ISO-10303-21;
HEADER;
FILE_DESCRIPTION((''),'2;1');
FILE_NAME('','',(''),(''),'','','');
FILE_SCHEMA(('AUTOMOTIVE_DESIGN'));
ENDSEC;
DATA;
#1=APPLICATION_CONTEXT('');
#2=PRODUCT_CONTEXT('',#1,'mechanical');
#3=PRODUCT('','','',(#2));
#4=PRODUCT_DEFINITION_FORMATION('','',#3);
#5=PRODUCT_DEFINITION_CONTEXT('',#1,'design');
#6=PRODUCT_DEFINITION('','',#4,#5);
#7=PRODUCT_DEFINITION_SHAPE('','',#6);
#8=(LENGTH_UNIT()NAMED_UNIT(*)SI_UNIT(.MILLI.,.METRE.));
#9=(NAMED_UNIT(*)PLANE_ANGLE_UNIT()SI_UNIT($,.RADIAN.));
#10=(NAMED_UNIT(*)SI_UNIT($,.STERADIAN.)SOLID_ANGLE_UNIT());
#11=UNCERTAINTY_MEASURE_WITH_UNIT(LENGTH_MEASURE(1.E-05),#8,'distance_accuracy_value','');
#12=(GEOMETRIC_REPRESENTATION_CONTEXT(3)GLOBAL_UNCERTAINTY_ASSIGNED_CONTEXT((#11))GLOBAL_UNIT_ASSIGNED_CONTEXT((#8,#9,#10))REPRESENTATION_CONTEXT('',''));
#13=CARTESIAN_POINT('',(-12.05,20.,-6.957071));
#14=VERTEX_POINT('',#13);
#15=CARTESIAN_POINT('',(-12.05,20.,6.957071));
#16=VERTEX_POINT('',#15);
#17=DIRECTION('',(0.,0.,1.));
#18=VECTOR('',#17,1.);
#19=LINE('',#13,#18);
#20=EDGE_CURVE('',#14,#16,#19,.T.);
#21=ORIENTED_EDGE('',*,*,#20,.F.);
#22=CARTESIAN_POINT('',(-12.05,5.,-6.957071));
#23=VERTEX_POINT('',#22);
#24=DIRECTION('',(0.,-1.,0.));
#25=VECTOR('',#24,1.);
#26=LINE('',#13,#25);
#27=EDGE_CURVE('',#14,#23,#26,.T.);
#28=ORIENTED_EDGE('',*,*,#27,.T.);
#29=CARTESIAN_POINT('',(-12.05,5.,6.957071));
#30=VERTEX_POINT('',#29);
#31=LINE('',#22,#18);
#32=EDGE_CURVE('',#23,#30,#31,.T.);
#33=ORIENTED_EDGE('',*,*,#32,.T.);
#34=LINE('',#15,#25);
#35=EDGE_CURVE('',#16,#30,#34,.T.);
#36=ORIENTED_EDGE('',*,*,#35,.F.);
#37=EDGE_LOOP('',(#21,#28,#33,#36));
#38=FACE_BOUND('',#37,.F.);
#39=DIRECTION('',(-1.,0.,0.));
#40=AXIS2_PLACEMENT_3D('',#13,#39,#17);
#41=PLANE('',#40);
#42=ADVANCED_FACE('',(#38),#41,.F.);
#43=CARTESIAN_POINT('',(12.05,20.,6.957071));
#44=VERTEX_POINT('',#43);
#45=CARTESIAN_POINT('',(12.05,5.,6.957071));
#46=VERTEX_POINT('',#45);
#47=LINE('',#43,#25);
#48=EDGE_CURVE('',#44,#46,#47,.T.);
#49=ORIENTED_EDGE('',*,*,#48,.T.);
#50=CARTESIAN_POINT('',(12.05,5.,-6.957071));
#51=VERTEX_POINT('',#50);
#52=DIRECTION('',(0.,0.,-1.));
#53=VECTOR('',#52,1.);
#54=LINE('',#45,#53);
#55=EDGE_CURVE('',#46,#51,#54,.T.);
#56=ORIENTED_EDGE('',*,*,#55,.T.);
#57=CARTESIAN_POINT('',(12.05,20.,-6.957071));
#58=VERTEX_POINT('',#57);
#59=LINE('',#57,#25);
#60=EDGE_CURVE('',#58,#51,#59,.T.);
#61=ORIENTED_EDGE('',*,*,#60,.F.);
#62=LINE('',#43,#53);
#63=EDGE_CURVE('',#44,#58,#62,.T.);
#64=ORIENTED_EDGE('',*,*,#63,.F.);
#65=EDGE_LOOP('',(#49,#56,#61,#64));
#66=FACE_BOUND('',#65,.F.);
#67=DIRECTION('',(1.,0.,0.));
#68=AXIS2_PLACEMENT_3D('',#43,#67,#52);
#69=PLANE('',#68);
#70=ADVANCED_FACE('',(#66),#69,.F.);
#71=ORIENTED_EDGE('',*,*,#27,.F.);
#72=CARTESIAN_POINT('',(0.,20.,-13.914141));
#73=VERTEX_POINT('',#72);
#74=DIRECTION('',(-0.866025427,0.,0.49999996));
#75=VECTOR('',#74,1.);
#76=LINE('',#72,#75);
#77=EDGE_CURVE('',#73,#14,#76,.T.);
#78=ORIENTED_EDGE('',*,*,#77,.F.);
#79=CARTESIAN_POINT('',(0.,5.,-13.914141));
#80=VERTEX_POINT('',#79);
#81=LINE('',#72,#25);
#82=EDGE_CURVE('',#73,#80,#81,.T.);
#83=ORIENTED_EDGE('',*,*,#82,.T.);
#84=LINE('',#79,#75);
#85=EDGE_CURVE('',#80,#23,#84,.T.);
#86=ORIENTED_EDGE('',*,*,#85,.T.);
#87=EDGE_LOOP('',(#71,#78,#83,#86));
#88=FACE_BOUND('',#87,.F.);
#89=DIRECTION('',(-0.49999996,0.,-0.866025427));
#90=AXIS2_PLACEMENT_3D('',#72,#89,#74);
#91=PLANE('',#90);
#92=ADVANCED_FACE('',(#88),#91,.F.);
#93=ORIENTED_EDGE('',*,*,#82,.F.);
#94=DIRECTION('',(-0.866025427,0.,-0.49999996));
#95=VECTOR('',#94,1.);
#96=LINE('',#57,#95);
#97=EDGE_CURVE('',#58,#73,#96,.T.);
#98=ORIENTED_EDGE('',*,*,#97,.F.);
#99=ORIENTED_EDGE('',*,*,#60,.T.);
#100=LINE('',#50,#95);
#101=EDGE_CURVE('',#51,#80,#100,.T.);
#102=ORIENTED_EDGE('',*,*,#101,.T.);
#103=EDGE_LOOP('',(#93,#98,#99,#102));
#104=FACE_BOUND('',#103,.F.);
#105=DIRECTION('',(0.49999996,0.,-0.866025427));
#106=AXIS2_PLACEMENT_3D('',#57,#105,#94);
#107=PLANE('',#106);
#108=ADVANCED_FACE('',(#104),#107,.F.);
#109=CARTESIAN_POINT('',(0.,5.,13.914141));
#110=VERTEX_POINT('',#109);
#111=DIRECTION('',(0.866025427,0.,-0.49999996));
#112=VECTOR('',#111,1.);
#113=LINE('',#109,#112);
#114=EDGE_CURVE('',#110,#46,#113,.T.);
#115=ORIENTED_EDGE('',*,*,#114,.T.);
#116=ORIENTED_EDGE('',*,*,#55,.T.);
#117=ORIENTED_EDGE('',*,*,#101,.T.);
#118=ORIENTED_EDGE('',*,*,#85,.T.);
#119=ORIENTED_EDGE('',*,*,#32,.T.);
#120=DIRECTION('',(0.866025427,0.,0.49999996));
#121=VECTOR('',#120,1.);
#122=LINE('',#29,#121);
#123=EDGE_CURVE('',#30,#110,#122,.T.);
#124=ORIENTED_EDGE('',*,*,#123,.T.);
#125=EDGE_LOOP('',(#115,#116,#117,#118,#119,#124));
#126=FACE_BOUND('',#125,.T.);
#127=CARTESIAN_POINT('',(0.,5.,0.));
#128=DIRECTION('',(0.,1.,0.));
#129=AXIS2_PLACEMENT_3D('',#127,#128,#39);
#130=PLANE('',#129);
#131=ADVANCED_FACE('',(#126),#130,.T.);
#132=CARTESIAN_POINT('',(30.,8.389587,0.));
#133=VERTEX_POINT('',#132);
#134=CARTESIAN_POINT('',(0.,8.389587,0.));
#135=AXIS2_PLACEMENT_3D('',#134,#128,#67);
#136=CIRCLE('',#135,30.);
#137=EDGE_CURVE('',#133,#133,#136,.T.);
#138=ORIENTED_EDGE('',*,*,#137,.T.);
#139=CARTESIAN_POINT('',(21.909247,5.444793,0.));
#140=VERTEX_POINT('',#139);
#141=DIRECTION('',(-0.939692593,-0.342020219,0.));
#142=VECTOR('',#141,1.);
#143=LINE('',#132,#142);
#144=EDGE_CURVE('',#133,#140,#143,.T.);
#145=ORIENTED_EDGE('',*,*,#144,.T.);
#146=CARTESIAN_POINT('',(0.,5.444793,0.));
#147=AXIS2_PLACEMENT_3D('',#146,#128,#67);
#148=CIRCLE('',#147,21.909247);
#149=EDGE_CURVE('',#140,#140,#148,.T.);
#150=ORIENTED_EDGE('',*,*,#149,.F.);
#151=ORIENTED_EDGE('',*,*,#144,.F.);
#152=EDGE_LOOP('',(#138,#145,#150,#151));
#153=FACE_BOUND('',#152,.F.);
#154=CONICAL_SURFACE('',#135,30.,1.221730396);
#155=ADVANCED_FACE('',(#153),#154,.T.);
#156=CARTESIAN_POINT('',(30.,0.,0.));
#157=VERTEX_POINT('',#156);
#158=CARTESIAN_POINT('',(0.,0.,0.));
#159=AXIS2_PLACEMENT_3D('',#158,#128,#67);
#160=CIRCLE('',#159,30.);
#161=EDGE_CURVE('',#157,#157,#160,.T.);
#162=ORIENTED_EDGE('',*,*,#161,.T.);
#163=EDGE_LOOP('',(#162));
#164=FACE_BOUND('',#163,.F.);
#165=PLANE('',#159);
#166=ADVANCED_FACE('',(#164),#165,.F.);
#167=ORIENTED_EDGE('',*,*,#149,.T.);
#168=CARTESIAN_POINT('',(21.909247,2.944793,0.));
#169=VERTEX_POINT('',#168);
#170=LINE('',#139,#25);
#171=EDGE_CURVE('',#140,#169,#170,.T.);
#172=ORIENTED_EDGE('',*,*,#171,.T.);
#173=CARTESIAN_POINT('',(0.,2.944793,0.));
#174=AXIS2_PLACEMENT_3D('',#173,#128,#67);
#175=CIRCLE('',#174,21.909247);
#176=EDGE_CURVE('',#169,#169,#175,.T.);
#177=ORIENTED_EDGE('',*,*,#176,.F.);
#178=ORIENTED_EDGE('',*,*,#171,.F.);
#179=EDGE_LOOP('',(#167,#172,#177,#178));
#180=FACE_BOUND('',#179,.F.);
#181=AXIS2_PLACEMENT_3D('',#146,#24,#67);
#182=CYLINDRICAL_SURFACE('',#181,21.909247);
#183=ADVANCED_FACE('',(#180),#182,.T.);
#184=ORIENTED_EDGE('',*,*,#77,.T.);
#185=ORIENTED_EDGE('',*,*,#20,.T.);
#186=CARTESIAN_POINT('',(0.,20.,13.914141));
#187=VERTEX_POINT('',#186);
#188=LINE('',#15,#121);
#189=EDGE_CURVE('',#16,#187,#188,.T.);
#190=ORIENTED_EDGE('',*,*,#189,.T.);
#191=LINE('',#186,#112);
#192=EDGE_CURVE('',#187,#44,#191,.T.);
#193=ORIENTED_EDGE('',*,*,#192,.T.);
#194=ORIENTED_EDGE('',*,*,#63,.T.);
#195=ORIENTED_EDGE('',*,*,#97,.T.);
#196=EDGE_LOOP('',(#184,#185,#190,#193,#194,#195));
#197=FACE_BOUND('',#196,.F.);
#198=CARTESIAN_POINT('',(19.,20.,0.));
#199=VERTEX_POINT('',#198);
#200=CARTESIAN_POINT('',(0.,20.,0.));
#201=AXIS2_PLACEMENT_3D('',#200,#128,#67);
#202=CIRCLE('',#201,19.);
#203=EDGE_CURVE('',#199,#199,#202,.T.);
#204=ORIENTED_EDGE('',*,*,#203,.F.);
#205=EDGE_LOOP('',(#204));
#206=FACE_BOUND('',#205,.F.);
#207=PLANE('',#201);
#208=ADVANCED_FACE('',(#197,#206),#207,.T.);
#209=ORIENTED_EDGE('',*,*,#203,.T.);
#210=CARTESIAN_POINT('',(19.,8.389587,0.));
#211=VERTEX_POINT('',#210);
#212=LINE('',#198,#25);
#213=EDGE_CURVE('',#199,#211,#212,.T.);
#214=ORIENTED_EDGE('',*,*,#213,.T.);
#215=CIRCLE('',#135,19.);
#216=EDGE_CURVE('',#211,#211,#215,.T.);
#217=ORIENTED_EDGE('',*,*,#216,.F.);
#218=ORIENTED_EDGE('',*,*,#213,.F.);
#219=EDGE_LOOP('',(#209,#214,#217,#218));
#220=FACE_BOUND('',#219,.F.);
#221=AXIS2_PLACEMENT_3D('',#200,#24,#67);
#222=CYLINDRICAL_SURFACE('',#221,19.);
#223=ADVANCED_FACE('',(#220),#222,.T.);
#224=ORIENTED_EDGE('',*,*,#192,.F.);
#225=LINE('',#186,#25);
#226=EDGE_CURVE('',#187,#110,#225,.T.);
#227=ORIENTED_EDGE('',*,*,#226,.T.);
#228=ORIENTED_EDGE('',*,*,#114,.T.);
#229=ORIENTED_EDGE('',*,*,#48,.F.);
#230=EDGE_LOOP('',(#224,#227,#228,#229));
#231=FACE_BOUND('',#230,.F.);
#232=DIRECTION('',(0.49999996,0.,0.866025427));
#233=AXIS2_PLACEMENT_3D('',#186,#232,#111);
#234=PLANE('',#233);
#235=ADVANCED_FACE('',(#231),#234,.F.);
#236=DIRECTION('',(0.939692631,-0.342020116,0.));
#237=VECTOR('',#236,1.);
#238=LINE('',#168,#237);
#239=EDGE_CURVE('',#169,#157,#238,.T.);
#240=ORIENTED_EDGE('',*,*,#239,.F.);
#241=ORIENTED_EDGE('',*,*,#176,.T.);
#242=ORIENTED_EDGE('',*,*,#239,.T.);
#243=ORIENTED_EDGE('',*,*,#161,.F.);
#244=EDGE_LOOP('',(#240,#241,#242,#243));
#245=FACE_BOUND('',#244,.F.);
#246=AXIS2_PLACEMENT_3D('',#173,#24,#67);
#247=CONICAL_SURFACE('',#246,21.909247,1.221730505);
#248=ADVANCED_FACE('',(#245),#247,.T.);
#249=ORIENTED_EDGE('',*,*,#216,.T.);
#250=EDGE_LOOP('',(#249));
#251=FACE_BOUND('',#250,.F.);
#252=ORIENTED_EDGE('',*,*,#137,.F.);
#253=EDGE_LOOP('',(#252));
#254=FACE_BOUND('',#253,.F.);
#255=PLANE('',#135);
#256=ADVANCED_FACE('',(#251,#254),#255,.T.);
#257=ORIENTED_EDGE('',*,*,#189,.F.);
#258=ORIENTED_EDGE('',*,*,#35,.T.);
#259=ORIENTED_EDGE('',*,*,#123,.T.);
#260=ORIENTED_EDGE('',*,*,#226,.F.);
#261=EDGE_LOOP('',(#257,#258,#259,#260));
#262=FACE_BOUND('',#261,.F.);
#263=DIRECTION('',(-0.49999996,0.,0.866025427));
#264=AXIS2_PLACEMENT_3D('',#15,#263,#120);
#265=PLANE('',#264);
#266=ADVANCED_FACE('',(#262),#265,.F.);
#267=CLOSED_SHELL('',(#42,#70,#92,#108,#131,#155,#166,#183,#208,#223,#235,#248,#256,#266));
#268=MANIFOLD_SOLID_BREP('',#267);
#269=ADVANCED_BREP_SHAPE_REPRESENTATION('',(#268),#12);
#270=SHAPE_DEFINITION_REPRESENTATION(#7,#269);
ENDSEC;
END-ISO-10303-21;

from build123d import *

# Parameters (mm, degrees)
POCKET_DEPTH = 15


with BuildPart() as part:
    # CopySketch → Revolution (revolve)
    with BuildSketch(Plane.XY):
        Polygon((0, 20), (19, 20), (19, 8.389587), (30, 8.389587), (21.909247, 5.444793), (21.909247, 2.944793), (30, 0), (0, 0), align=None)
    revolve(axis=Axis((0, 0, 0), (0, 1, 0)))

    # Sketch002 → Pocket (cut)
    with BuildSketch(Plane(origin=(0, 20, 0), x_dir=(-1, 0, 0), z_dir=(0, 1, 0))):
        Polygon((0, 13.914141), (-12.05, 6.957071), (-12.05, -6.957071), (0, -13.914141), (12.05, -6.957071), (12.05, 6.957071), align=None)
    extrude(amount=-POCKET_DEPTH, mode=Mode.SUBTRACT)


solid = part.part
